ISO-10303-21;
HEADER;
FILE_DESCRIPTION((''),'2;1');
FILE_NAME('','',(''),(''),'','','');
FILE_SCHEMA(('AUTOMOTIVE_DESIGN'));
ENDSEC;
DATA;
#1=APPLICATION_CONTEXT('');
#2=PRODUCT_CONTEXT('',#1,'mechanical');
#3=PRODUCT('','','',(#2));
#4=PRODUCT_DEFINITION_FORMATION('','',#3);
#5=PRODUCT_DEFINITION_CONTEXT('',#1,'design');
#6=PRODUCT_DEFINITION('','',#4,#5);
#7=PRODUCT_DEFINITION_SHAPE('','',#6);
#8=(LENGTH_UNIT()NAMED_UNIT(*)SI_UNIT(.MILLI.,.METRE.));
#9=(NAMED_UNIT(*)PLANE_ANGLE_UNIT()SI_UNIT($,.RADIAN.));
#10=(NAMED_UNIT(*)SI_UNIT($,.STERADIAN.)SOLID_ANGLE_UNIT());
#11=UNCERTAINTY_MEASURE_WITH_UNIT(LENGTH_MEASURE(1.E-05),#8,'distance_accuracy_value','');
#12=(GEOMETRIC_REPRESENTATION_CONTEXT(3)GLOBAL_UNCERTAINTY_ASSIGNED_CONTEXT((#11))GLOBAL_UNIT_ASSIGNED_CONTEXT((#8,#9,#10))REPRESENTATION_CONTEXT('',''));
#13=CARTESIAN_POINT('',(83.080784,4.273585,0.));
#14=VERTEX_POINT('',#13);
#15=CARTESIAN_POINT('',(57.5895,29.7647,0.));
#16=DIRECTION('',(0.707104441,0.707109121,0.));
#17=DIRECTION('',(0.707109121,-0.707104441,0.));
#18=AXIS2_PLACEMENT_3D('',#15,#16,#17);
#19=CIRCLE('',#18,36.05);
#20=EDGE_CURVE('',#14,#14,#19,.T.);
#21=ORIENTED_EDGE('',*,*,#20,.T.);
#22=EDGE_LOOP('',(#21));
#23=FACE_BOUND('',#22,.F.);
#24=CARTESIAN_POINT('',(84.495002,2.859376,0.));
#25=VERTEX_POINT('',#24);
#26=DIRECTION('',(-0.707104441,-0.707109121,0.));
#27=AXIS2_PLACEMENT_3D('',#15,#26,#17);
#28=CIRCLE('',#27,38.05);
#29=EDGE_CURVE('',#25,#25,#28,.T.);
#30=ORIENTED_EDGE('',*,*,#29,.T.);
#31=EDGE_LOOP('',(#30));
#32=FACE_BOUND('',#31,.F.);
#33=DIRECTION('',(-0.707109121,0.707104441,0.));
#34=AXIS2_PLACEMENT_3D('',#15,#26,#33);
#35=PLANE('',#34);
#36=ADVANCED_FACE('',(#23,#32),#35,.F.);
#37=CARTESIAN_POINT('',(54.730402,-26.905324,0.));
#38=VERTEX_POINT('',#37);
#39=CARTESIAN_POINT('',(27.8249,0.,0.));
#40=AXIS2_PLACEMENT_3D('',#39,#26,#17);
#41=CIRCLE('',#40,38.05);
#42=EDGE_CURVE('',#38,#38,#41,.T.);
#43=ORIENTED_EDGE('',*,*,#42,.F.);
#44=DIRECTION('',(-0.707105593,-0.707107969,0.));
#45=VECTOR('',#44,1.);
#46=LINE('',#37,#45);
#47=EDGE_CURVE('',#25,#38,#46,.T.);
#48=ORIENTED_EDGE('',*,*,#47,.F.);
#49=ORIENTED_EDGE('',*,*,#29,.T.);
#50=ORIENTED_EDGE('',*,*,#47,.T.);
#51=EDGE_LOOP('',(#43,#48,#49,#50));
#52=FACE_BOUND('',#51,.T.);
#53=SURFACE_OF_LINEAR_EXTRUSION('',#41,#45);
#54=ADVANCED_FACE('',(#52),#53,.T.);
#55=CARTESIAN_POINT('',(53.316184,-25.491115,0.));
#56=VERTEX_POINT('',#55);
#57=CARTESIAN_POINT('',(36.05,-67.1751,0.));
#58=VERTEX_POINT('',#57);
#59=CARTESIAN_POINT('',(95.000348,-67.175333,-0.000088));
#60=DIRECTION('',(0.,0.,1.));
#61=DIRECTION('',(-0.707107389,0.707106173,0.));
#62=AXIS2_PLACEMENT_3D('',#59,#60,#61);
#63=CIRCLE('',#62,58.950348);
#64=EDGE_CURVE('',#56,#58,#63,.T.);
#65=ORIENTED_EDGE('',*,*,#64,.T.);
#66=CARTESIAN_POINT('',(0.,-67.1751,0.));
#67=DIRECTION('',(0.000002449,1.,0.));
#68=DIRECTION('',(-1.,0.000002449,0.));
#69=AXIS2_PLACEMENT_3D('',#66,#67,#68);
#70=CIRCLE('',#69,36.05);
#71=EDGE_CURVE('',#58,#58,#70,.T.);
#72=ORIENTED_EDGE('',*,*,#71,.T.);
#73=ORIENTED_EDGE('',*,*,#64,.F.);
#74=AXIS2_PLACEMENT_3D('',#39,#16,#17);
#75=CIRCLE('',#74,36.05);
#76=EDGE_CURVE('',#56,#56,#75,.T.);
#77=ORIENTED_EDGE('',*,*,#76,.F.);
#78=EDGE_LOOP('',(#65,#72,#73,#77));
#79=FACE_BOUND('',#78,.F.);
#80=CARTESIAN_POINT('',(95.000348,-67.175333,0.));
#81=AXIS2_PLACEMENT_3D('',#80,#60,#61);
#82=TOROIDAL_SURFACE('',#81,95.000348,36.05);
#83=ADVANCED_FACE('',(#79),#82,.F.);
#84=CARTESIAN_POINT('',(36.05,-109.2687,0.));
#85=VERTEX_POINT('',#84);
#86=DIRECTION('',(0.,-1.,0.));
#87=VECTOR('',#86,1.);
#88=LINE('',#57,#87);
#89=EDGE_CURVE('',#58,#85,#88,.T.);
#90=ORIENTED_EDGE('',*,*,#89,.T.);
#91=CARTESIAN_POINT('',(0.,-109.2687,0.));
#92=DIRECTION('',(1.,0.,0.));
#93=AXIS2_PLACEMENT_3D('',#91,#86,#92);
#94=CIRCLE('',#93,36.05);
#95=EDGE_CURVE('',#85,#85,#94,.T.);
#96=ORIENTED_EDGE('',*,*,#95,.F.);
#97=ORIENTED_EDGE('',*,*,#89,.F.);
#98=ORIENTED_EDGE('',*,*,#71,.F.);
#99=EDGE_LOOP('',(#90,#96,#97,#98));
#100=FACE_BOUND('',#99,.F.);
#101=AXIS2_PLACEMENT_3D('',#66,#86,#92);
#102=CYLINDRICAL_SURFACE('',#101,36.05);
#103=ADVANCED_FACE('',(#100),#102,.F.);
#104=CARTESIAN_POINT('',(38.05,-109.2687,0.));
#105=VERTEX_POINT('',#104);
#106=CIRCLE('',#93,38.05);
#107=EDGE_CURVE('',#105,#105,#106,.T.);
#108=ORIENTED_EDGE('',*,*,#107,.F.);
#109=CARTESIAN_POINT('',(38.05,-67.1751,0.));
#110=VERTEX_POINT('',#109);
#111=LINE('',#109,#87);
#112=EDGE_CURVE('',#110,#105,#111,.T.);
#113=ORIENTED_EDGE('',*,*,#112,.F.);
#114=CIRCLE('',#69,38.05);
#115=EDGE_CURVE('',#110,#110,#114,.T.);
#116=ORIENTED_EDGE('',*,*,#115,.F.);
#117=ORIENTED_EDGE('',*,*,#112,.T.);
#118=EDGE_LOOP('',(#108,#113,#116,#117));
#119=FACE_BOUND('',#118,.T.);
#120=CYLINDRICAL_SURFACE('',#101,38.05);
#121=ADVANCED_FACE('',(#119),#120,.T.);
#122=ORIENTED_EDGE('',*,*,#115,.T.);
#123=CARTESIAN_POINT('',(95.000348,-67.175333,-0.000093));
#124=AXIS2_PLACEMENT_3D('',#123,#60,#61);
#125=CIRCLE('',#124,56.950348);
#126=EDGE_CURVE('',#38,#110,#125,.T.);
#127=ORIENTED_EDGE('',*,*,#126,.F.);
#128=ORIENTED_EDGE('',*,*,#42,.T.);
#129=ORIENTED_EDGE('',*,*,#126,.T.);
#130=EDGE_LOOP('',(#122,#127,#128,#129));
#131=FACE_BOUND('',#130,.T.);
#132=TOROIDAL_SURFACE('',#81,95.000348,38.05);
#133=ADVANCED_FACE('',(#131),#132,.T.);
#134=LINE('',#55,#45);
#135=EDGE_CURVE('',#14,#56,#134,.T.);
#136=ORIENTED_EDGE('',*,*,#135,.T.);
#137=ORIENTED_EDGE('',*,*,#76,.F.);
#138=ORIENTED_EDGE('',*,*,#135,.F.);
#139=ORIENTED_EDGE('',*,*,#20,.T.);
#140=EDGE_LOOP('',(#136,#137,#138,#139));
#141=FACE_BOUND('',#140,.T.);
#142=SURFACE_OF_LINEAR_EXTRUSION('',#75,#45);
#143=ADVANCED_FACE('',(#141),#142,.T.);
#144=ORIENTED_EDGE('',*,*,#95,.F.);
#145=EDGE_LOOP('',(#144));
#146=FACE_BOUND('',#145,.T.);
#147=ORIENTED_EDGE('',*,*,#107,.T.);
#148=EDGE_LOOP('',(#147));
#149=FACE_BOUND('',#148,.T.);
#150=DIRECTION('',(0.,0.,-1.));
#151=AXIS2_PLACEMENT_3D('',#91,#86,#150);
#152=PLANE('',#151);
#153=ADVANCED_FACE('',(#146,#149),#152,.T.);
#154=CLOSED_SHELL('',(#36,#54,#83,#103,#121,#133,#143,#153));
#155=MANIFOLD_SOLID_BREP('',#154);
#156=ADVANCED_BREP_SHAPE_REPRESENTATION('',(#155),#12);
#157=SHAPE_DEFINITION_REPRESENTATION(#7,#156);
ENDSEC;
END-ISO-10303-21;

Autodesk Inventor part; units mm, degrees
ref_plane "YZ Plane" through (0, 0, 0) normal (1, 0, 0) x (0, 1, 0)
ref_plane "XZ Plane" through (0, 0, 0) normal (0, 1, 0) x (-1, 0, 0)
sketch "Szkic6" plane through (0, 0, 0) normal (0, 0, 1) x (1, 0, 0)
  line L0 (-29.6067, 0) -> (35.2678, 0) construction
  line L1 (0, 42.3419) -> (0, -58.3726) construction
  arc A0 (27.8249, 0) -> (0, -67.1751) centre (95, -67.1751) ccw
  line L2 (0, -67.1751) -> (95, -67.1751) construction
  line L3 (95, -67.1751) -> (48.6611, -20.8362) construction
  line L4 (27.8249, 0) -> (57.5895, 29.7647)
  line L5 (0, -67.1751) -> (0, -109.2687)
  point P0 (0, 0)
  dimension "d24" = 95
  dimension "d31" = 45
  dimension "d36" = 42.0936
  dimension "d37" = 42.0936
ref_plane "Płaszczyzna konstrukcyjna2" through (0, -67.1751, 0) normal (0, -1, 0) x (1, 0, 0)
sketch "Szkic8" plane through (0, -67.1751, 0) normal (0, -1, 0) x (1, 0, 0)
  circle A0 centre (0, 0) radius 38.05
  circle A1 centre (0, 0) radius 36.05
  dimension "d32" = 76.1
  dimension "d33" = 2
sweep "Przeciągnięcie2" add profiles "Szkic8" path "Szkic6"
equation "\"d32\" = OD"
equation "\"d33\" = THK"
equation "\"d24\" = R"
equation "\"d31\" = KAT"
equation "\"d36\" = PROSTKA"
equation "\"d37\" = PROSTKA"
equation "\"SzerokośćGięciaPodcięcia\" = Grubość"
equation "\"RozmiarPodcięciaNarożnika\" = 4 * Grubość"
equation "\"PromieńPrzejścia\" = PromieńGięcia"
equation "\"Rozmiar_promienia_Jacobiego\" = PromieńGięcia"
equation "\"Wielk_odstępu\" = Grubość"
equation "\"d2\" = PromieńGięcia"
equation "\"d23\" = PromieńGięcia"
equation "\"R\" = 95"
equation "\"OD\" = 76.1"
equation "\"THK\" = 2"
equation "\"KAT\" = 45deg"
equation "\"PROSTKA\" = 42.09359"
equation "\"Grubość\" = 1.5"
equation "\"PromieńGięcia\" = 3"
properties part number "Kolano 45° ø76,1x2 R95" material "304L"
